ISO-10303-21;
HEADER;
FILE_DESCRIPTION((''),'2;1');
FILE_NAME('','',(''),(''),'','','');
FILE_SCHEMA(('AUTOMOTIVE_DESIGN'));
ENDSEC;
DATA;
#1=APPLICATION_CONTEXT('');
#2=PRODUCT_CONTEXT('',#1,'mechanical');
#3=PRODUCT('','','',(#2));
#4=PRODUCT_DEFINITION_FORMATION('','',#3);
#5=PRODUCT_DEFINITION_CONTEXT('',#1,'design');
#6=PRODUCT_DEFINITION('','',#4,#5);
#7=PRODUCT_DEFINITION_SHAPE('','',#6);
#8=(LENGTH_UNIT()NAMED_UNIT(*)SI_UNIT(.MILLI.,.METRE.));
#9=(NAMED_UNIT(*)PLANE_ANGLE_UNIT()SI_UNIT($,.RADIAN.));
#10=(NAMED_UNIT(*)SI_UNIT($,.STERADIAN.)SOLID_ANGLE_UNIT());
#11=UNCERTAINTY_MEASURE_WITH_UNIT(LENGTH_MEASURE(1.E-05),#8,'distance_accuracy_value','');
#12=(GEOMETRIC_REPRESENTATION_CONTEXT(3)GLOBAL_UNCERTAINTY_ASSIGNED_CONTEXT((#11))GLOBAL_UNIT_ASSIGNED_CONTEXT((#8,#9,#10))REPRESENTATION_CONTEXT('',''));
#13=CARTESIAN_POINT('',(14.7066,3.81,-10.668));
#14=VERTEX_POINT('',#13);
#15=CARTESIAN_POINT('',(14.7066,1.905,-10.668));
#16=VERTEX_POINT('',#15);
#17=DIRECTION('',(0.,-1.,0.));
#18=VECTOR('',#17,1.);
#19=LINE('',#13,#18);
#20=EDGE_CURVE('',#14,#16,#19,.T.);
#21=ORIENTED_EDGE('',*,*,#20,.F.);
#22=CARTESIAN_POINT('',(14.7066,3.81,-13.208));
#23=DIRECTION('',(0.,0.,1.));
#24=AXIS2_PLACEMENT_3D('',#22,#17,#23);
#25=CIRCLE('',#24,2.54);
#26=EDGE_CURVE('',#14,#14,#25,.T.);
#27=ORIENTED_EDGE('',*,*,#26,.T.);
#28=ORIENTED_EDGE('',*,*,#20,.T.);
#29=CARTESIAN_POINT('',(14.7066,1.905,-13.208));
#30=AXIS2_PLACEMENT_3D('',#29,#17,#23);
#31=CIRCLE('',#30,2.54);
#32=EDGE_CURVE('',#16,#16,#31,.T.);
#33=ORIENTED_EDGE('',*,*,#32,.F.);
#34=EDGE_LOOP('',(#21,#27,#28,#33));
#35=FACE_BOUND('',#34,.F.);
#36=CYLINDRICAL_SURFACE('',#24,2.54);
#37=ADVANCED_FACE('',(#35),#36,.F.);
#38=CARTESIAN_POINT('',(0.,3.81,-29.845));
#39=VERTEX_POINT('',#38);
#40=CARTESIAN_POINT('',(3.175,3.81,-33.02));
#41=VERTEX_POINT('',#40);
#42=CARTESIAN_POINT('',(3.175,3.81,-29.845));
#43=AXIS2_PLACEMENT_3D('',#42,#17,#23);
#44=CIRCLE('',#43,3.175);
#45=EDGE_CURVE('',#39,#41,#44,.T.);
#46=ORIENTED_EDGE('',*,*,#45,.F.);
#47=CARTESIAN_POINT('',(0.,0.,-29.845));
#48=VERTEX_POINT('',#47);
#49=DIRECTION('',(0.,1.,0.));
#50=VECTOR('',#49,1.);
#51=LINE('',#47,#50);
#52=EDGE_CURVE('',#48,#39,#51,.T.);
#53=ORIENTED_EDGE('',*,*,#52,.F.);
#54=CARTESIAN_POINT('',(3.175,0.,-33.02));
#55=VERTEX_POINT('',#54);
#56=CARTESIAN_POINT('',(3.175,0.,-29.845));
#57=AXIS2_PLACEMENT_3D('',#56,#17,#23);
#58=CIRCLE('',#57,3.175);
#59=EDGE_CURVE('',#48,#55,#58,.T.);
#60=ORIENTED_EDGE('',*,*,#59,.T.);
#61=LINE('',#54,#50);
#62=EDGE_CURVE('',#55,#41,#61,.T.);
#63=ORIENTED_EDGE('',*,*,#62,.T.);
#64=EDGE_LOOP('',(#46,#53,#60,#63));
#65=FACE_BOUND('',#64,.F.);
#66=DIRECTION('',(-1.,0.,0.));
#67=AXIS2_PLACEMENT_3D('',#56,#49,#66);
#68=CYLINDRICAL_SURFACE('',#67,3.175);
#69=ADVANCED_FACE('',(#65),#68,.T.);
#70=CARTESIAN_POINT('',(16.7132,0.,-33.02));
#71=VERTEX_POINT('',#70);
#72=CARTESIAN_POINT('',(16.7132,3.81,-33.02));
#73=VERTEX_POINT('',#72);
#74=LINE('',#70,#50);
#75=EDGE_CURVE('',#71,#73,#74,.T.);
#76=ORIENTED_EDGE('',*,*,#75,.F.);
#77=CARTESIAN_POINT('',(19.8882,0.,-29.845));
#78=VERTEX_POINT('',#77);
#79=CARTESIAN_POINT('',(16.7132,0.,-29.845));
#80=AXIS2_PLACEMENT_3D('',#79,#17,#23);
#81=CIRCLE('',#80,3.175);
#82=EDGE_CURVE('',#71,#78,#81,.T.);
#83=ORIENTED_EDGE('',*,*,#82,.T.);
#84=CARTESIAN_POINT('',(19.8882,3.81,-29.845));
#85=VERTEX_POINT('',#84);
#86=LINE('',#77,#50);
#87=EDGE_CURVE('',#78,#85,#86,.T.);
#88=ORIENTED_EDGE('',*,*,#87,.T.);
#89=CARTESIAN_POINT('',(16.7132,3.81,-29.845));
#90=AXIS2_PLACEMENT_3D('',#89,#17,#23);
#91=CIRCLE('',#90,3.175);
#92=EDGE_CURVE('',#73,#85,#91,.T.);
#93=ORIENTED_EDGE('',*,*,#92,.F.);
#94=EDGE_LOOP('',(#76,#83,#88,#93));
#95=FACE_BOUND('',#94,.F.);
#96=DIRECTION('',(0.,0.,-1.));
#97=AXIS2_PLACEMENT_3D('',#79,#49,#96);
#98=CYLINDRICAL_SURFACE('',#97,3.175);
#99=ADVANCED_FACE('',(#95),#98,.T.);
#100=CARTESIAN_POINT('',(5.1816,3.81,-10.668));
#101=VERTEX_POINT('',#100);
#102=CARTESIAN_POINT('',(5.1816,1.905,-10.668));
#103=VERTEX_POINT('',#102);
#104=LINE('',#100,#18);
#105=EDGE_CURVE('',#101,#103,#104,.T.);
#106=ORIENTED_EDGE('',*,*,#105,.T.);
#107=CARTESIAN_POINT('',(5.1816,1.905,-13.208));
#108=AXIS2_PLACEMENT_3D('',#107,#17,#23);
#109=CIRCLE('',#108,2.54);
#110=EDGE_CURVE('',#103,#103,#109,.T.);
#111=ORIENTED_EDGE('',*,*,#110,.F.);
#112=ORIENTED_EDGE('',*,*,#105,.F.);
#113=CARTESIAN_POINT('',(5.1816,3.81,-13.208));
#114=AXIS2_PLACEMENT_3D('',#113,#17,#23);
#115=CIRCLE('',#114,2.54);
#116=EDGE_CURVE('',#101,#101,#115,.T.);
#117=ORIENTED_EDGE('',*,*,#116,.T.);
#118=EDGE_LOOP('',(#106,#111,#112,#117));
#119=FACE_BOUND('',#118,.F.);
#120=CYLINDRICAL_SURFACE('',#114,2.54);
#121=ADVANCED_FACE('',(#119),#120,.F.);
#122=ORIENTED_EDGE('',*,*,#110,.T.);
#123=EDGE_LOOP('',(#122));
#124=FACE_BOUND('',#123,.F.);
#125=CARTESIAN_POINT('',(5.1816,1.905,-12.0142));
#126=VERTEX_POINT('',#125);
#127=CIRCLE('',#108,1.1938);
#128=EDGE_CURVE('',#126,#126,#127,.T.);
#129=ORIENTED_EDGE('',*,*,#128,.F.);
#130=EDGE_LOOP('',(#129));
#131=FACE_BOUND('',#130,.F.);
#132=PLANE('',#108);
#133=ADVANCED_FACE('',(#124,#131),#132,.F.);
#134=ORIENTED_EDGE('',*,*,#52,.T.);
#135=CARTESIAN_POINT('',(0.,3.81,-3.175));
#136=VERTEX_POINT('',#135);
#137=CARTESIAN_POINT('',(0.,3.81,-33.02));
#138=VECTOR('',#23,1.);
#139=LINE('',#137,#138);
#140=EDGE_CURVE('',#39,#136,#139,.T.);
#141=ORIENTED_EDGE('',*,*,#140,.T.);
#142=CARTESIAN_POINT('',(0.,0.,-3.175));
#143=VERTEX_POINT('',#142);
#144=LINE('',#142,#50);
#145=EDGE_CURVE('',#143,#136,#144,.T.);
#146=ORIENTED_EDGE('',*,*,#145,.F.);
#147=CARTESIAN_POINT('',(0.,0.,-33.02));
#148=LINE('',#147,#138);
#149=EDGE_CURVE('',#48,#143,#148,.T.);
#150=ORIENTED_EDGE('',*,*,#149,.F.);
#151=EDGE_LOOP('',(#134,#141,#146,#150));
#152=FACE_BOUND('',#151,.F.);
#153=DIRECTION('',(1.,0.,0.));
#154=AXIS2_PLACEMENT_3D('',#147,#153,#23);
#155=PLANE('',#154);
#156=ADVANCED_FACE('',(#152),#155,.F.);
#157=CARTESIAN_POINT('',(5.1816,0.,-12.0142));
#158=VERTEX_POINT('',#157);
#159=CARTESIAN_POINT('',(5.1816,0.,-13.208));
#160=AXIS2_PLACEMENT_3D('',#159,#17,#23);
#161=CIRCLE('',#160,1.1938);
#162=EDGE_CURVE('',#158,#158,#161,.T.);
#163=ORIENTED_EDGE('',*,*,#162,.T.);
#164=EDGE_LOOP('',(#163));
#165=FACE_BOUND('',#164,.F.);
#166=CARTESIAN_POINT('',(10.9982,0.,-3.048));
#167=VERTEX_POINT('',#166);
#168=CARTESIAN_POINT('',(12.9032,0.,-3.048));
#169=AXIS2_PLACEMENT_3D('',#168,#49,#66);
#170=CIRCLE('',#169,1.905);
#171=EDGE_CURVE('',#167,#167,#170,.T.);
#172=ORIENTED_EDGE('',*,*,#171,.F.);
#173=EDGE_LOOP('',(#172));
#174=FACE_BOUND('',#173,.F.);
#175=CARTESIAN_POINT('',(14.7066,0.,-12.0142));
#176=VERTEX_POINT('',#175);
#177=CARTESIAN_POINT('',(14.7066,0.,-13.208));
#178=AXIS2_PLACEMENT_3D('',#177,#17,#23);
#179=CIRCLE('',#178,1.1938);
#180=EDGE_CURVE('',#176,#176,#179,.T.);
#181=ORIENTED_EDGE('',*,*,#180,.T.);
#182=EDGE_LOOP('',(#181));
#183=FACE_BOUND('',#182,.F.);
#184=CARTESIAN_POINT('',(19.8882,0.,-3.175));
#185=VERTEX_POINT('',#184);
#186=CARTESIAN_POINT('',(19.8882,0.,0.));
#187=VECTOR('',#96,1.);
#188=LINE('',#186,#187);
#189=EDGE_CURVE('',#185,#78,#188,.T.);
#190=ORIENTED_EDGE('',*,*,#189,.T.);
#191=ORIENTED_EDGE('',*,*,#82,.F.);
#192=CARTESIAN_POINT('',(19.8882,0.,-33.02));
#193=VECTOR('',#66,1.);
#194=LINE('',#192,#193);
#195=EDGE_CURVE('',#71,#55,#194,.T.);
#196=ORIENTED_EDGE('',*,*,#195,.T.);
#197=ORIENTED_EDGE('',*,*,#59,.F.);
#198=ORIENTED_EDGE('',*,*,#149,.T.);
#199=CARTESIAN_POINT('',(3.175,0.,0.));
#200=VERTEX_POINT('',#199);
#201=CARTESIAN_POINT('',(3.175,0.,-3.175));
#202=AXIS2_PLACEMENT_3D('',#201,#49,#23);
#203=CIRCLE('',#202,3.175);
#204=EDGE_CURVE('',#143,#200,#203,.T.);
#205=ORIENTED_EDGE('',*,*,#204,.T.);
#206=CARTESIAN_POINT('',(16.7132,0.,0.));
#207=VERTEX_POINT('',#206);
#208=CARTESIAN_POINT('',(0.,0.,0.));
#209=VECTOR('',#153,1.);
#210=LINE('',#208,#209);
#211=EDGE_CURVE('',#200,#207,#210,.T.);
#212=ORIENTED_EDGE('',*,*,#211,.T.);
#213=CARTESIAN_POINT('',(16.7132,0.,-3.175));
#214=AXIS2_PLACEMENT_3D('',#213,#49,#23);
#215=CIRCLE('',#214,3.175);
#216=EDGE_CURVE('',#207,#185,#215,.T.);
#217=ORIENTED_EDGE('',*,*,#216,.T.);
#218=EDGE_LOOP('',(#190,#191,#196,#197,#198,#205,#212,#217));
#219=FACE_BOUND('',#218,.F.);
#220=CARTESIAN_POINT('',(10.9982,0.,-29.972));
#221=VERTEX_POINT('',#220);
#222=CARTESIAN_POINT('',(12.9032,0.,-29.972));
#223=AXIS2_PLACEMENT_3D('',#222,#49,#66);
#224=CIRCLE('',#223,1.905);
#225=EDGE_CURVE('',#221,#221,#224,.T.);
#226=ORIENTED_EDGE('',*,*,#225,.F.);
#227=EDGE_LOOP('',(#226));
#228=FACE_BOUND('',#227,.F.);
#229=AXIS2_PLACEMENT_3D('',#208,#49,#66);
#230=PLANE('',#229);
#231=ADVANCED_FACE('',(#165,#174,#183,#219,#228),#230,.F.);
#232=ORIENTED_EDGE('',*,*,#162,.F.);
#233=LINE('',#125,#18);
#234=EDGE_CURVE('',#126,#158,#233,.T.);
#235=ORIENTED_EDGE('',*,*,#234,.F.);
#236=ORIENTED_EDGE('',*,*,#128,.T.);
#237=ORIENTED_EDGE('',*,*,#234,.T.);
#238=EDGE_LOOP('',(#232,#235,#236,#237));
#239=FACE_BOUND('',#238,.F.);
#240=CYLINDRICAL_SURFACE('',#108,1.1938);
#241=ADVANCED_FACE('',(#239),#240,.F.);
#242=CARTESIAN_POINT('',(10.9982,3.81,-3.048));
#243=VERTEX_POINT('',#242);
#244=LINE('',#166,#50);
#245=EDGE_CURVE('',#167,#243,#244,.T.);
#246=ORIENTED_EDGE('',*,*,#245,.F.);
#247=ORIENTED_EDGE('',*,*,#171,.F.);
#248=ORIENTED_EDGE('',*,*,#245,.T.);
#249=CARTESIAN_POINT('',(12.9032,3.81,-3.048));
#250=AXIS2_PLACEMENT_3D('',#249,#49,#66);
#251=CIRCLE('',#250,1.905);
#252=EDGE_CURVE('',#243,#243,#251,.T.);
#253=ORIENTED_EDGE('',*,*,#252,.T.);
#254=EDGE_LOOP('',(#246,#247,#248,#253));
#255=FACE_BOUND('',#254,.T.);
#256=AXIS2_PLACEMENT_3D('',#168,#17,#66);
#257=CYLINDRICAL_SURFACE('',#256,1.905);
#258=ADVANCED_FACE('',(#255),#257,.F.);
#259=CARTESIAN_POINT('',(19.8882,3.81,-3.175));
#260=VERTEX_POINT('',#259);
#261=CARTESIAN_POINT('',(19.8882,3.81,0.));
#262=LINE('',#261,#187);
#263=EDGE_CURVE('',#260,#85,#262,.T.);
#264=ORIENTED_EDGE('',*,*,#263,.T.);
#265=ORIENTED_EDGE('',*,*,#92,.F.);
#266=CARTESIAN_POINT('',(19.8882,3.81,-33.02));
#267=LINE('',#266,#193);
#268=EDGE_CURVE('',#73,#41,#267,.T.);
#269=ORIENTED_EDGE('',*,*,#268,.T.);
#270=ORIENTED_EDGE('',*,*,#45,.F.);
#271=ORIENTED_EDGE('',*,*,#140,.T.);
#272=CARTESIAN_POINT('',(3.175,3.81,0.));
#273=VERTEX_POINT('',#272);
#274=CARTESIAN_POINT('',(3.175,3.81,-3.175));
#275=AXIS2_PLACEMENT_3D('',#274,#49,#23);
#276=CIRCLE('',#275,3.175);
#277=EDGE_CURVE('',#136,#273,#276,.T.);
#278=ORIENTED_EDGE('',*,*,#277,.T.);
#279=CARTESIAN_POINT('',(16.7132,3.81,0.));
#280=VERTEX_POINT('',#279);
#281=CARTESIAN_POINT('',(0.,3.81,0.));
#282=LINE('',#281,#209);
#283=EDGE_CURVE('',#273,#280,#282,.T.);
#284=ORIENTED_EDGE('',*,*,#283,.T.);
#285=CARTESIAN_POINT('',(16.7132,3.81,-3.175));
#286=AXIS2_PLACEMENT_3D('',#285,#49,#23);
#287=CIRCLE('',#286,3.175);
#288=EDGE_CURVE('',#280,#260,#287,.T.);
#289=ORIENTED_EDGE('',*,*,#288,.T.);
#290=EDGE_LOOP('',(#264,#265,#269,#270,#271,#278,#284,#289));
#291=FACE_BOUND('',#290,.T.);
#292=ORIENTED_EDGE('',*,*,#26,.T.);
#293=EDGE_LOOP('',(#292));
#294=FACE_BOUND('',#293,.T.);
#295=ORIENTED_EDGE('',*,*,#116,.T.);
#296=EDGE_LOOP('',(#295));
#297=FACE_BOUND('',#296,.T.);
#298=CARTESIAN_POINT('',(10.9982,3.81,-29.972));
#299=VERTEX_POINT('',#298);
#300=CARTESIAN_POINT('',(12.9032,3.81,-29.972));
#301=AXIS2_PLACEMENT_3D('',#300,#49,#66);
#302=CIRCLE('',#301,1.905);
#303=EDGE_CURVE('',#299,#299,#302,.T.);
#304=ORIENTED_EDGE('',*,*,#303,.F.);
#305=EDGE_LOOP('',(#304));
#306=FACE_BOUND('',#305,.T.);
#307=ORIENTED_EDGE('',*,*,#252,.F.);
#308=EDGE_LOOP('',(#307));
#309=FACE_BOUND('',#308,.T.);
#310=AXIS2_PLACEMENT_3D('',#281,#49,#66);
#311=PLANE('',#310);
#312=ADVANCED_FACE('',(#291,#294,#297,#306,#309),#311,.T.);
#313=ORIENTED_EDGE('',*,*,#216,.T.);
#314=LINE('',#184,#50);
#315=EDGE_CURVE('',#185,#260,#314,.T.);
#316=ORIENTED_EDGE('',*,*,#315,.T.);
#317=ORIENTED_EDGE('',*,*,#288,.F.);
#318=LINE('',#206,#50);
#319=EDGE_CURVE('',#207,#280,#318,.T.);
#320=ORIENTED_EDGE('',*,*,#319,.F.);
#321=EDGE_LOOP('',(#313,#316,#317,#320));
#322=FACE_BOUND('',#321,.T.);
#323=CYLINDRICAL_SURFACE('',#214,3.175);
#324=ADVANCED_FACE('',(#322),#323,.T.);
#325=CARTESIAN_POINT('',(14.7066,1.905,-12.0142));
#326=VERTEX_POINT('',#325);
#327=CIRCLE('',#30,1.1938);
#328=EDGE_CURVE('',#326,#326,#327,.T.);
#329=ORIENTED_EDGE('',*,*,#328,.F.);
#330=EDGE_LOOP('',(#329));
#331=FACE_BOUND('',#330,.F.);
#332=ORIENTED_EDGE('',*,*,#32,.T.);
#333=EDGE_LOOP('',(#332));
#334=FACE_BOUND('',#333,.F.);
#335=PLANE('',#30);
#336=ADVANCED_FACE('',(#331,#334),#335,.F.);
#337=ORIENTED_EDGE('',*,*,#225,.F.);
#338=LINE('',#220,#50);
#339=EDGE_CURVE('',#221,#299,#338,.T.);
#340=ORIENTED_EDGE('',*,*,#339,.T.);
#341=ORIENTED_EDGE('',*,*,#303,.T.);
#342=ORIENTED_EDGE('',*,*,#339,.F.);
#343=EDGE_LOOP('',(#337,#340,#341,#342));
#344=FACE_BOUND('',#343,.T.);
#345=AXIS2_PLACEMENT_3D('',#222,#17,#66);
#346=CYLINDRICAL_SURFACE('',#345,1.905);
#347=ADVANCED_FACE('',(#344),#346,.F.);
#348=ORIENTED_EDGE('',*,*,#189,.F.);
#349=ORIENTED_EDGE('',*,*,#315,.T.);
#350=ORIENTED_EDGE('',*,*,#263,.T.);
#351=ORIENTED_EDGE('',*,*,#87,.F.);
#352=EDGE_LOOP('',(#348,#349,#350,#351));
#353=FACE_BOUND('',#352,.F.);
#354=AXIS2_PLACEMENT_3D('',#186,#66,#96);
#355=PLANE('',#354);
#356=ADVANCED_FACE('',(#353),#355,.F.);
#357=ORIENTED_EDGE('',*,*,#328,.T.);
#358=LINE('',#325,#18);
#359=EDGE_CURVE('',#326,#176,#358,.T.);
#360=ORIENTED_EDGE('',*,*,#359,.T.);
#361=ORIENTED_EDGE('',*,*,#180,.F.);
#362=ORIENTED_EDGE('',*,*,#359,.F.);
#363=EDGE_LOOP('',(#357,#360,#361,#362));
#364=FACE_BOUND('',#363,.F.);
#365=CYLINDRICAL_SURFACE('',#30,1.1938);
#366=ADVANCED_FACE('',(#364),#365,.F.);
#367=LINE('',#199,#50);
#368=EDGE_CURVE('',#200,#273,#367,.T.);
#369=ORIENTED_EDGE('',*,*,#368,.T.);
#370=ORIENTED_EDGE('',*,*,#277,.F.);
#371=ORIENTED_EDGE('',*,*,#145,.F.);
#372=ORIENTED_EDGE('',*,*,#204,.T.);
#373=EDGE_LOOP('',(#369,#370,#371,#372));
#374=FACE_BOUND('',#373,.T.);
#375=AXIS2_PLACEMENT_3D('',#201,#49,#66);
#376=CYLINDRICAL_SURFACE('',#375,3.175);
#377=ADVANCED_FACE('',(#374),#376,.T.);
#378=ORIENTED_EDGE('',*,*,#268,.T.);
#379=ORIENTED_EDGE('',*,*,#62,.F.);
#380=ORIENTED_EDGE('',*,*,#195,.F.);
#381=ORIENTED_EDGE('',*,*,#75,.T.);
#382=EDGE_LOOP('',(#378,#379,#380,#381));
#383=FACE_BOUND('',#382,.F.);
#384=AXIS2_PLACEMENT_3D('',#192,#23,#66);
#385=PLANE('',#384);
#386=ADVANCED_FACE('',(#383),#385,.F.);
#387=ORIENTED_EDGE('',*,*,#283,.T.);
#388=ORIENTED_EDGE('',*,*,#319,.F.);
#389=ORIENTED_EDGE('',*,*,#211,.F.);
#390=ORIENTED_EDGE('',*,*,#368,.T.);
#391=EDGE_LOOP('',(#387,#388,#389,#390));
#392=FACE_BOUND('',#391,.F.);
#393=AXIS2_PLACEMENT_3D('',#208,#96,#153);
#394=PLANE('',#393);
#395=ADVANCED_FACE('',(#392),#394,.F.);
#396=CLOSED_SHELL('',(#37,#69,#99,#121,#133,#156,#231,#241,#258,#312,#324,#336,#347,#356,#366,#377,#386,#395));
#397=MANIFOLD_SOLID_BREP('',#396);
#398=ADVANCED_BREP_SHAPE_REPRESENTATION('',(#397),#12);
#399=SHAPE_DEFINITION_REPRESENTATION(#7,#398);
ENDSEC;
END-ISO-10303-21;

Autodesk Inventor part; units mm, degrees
ref_plane "YZ Plane" through (0, 0, 0) normal (1, 0, 0) x (0, 1, 0)
ref_plane "XZ Plane" through (0, 0, 0) normal (0, 1, 0) x (-1, 0, 0)
ref_plane "XY Plane" through (0, 0, 0) normal (0, 0, 1) x (1, 0, 0)
sketch "Sketch1" plane through (0, 0, 0) normal (0, 1, 0) x (-1, 0, 0)
  line L0 (0, 0) -> (-19.8882, 0)
  line L1 (-19.8882, 0) -> (-19.8882, -33.02)
  line L2 (-19.8882, -33.02) -> (0, -33.02)
  line L3 (0, -33.02) -> (0, 0)
  circle A0 centre (-12.9032, -3.048) radius 1.905
  circle A1 centre (-12.9032, -29.972) radius 1.905
  dimension "d0" = 19.8882
  dimension "d1" = 33.02
  dimension "d2" = 3.81
  dimension "d3" = 3.048
  dimension "d4" = 6.985
  dimension "d5" = 3.81
  dimension "d6" = 3.048
extrude "Extrusion1" add sketch "Sketch1" along normal blind 3.81
sketch "Sketch2" plane through (0, 3.81, 0) normal (0, 1, 0) x (1, 0, 0)
  circle A0 centre (5.1816, 13.208) radius 1.1938
  circle A1 centre (14.7066, 13.208) radius 1.1938
  circle A2 centre (12.9032, 3.048) radius 1.905 projected
  point P0 (0, 0)
  dimension "d9" = 2.3876
  dimension "d10" = 2.3876
  dimension "d11" = 7.7216
  dimension "d12" = 1.8034
  dimension "d13" = 10.16
  dimension "d14" = 10.16
hole "Hole1" at (5.1816, 3.81, -13.208) at (14.7066, 3.81, -13.208) direction (0, -1, 0) diameter 2.3876 end through all counterbore diameter 5.08 counterbore depth 1.905
fillet "Fillet1" radius 3.175 4 edges at (19.8882, 1.905, -33.02) (0, 1.905, -33.02) (19.8882, 1.905, 0) (0, 1.905, 0)
properties part number "SwitchHolderTNutLeft"
